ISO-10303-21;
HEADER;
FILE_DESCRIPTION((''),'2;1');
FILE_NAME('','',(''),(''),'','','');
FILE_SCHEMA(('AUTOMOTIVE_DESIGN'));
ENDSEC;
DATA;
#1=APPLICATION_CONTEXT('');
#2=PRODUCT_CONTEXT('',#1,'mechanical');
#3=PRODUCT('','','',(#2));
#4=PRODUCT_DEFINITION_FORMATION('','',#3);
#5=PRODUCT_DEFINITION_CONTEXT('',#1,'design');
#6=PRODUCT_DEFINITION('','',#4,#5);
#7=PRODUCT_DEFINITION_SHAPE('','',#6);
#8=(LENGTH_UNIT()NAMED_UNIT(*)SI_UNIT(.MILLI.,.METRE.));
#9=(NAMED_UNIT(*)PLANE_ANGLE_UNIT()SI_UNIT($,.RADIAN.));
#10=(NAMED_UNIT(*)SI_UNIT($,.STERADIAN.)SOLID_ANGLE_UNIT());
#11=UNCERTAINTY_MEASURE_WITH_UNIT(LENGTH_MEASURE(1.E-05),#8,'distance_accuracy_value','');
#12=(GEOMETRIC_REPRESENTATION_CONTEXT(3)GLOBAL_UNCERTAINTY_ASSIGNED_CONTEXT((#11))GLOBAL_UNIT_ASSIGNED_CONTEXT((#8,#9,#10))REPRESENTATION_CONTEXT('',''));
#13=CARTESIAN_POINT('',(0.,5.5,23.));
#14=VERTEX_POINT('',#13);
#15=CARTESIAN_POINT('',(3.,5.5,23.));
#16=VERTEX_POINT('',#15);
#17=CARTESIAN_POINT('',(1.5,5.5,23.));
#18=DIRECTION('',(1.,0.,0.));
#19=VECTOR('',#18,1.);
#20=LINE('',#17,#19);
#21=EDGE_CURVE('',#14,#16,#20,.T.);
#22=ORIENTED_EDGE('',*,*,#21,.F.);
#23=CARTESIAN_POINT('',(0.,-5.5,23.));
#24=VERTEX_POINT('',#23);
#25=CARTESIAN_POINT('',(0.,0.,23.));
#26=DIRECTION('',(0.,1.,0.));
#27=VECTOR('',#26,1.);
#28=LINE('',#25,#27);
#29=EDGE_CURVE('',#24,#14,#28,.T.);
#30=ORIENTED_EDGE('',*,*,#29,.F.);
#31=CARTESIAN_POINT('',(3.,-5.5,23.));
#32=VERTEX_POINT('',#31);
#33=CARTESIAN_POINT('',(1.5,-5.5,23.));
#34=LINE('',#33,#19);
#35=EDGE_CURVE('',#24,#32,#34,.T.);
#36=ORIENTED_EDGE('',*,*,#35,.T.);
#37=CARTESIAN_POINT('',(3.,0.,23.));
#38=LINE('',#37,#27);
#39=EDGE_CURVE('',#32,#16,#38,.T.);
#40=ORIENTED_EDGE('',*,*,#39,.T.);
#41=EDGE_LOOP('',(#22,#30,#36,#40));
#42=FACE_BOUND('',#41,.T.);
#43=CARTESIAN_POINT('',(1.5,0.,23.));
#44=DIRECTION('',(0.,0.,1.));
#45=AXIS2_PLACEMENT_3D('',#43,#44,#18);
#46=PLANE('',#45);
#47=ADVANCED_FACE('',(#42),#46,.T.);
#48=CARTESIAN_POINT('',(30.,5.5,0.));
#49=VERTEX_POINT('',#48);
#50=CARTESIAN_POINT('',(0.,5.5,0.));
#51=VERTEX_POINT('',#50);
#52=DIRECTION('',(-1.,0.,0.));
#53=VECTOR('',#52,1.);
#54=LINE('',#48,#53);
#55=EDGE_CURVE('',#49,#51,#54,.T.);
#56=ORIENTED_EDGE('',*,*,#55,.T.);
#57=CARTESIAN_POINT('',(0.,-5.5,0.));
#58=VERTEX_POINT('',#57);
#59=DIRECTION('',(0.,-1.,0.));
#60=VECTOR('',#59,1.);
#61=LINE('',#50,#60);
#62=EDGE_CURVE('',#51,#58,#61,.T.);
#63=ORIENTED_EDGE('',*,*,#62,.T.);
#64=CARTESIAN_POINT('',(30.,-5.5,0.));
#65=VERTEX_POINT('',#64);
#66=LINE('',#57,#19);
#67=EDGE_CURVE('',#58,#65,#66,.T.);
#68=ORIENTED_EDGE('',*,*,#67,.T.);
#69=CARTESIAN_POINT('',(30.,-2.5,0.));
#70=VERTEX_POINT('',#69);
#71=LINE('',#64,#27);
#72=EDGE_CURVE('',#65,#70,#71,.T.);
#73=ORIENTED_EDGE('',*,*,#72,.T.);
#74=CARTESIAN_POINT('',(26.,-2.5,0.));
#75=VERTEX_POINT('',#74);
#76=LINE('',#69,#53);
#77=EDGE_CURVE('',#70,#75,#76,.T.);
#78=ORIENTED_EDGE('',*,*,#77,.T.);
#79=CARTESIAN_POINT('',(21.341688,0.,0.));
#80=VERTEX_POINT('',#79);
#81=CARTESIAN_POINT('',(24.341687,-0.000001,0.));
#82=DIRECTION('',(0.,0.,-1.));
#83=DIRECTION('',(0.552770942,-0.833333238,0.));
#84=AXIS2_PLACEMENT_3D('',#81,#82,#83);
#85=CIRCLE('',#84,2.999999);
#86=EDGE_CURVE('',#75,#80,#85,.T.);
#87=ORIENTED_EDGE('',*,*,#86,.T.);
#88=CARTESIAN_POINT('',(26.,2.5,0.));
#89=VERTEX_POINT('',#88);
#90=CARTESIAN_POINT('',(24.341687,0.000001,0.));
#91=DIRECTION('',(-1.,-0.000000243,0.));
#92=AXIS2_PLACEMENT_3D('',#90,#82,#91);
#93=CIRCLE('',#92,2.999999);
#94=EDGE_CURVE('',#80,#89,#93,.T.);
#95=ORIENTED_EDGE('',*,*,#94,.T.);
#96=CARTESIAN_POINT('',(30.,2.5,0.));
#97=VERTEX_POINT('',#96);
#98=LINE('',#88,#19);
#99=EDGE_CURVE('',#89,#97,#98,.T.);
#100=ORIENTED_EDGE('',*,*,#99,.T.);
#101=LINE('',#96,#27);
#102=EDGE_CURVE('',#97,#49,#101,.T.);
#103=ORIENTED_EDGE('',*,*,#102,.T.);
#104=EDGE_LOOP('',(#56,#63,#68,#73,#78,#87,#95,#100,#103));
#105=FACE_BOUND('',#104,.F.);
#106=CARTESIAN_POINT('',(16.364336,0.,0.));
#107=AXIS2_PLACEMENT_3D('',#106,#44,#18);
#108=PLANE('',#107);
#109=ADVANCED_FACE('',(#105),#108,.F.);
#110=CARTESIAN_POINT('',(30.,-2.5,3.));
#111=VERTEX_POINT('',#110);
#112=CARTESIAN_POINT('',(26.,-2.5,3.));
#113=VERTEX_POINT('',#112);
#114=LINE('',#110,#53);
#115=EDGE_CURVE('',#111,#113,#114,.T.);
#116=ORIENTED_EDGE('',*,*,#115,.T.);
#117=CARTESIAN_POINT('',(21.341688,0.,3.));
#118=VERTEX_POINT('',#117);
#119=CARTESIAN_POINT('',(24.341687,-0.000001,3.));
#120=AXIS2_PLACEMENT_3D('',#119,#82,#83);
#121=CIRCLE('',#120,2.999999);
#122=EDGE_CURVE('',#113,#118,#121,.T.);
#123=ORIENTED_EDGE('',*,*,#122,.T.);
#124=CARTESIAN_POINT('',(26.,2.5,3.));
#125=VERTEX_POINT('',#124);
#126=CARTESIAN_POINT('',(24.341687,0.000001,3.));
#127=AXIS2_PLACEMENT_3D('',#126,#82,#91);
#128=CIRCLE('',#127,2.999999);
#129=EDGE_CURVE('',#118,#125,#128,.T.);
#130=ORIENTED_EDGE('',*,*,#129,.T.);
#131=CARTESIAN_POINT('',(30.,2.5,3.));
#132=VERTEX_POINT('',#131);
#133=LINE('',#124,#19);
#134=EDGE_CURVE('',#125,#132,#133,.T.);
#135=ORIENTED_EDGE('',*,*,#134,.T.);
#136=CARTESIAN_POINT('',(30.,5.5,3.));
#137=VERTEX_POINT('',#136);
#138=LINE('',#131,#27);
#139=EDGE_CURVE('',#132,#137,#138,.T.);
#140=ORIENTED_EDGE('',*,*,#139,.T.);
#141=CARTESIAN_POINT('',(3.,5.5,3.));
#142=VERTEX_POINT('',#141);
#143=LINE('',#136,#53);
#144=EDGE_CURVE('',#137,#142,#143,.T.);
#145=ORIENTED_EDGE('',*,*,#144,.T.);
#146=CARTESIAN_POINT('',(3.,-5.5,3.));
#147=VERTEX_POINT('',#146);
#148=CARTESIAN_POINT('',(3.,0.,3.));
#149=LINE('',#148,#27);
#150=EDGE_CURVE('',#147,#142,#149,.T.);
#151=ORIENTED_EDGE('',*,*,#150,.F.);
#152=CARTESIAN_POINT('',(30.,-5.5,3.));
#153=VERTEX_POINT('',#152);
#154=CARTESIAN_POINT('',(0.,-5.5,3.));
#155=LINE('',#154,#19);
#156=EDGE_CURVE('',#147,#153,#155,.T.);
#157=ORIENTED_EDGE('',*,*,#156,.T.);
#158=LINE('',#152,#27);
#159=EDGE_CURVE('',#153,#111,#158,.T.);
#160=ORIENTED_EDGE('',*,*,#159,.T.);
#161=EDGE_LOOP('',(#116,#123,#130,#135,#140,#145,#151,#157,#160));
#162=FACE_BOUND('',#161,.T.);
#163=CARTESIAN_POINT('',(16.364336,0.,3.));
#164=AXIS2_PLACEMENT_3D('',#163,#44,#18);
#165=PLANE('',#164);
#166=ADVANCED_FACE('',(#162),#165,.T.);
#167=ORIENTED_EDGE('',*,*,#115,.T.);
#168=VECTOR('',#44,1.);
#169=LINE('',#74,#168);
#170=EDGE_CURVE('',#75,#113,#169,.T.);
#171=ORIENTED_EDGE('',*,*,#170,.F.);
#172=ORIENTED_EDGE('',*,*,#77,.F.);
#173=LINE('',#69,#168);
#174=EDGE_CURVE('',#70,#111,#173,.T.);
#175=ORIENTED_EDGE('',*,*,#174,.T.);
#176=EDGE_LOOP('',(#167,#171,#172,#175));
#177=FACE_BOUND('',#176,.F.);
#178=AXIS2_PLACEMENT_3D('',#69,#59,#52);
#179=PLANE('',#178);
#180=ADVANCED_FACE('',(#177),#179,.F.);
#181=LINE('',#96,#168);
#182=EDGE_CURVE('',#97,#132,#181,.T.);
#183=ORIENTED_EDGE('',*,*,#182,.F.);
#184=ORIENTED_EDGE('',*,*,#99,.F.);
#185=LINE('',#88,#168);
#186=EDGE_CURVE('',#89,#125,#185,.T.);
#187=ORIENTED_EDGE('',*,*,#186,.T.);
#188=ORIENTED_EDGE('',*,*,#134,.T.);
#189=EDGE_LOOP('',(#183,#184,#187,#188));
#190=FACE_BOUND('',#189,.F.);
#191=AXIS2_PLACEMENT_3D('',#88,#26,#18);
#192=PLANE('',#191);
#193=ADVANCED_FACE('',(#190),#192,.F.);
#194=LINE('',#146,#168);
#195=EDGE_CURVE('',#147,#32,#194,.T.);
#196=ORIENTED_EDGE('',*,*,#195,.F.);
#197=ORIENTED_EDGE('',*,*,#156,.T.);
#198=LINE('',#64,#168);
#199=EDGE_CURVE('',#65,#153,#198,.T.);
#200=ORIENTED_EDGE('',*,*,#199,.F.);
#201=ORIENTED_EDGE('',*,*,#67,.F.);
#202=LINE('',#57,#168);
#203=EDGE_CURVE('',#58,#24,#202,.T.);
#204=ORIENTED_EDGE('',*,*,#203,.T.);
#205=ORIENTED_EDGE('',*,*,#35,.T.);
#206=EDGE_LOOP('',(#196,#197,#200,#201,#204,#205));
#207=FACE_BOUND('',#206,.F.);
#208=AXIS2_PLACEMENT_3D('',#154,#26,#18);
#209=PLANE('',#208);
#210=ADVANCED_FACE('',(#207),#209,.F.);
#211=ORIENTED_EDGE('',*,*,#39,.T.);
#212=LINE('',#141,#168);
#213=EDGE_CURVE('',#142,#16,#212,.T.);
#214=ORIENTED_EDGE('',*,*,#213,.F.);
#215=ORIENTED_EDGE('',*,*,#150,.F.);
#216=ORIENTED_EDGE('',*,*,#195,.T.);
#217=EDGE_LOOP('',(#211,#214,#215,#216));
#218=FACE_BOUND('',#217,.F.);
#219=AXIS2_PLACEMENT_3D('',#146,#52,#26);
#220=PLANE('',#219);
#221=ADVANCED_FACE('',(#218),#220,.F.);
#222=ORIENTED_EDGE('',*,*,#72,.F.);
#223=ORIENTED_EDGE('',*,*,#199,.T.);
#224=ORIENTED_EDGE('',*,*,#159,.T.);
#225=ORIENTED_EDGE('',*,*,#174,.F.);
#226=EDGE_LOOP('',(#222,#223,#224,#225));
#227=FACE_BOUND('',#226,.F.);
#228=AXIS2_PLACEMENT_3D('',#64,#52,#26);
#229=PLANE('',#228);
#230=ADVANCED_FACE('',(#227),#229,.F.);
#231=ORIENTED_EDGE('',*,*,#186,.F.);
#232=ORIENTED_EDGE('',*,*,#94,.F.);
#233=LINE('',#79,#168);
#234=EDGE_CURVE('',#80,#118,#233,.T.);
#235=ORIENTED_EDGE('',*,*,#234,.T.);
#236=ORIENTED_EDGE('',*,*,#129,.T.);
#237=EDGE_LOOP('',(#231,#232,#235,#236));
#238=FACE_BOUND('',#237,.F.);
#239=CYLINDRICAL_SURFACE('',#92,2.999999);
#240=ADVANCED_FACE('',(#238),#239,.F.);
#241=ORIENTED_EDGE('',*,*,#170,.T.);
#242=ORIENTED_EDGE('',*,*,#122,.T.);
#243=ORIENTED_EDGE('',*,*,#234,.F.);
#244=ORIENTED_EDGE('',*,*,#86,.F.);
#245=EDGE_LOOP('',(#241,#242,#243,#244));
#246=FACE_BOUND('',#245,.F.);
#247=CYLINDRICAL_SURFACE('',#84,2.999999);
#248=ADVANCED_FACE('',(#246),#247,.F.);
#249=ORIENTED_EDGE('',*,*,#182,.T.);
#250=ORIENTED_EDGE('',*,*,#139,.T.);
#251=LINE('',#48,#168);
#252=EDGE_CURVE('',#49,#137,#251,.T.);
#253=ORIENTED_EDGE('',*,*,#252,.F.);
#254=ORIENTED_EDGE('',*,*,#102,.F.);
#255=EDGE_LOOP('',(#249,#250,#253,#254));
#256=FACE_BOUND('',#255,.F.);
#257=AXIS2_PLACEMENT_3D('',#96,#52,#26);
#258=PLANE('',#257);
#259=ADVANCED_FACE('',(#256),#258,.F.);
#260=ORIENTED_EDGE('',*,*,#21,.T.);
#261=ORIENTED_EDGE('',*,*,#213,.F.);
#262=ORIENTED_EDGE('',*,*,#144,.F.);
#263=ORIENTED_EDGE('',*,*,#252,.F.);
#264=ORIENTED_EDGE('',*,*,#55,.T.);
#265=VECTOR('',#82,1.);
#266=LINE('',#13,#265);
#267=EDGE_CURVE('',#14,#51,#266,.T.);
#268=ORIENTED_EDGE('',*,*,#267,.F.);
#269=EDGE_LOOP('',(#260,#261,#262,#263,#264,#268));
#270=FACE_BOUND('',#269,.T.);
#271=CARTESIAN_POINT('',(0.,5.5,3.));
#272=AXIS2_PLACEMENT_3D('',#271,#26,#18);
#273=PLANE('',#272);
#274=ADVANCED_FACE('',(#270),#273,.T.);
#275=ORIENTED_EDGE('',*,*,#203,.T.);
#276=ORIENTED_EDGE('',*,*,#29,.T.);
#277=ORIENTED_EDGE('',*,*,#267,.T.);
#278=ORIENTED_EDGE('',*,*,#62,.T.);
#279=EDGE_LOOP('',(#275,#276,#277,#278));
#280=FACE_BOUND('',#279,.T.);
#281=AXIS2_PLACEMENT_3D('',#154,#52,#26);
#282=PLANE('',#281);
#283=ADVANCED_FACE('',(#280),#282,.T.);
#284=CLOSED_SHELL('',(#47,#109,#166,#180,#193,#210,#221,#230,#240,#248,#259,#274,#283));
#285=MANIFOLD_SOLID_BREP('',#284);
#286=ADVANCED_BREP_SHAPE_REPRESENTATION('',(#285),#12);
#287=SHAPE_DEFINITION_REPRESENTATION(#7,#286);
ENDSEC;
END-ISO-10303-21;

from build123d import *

# Parameters (mm, degrees)
F1_DEPTH = 3
F2_W     = 3
F2_H     = 11
F3_DEPTH = 20


with BuildPart() as f1:
    # F0 (on Top) → F1 (new body)
    with BuildSketch(Plane.XY):
        with BuildLine():
            Line((0, 5.5), (0, 0))
            Line((0, 0), (0, -5.5))
            Line((0, -5.5), (30, -5.5))
            Line((30, -5.5), (30, -2.5))
            Line((30, -2.5), (26, -2.5))
            ThreePointArc((26, -2.5), (22.92305, -2.643382), (21.341688, 0))
            ThreePointArc((21.341688, 0), (22.92305, 2.643382), (26, 2.5))
            Line((26, 2.5), (30, 2.5))
            Line((30, 2.5), (30, 5.5))
            Line((30, 5.5), (0, 5.5))
        make_face()
    extrude(amount=F1_DEPTH)

    # F2 (on face) → F3 (join)
    with BuildSketch(Plane.XY.offset(3)):
        with Locations((1.5, 0)):
            Rectangle(F2_W, F2_H)
    extrude(amount=F3_DEPTH)


solid = f1.part
